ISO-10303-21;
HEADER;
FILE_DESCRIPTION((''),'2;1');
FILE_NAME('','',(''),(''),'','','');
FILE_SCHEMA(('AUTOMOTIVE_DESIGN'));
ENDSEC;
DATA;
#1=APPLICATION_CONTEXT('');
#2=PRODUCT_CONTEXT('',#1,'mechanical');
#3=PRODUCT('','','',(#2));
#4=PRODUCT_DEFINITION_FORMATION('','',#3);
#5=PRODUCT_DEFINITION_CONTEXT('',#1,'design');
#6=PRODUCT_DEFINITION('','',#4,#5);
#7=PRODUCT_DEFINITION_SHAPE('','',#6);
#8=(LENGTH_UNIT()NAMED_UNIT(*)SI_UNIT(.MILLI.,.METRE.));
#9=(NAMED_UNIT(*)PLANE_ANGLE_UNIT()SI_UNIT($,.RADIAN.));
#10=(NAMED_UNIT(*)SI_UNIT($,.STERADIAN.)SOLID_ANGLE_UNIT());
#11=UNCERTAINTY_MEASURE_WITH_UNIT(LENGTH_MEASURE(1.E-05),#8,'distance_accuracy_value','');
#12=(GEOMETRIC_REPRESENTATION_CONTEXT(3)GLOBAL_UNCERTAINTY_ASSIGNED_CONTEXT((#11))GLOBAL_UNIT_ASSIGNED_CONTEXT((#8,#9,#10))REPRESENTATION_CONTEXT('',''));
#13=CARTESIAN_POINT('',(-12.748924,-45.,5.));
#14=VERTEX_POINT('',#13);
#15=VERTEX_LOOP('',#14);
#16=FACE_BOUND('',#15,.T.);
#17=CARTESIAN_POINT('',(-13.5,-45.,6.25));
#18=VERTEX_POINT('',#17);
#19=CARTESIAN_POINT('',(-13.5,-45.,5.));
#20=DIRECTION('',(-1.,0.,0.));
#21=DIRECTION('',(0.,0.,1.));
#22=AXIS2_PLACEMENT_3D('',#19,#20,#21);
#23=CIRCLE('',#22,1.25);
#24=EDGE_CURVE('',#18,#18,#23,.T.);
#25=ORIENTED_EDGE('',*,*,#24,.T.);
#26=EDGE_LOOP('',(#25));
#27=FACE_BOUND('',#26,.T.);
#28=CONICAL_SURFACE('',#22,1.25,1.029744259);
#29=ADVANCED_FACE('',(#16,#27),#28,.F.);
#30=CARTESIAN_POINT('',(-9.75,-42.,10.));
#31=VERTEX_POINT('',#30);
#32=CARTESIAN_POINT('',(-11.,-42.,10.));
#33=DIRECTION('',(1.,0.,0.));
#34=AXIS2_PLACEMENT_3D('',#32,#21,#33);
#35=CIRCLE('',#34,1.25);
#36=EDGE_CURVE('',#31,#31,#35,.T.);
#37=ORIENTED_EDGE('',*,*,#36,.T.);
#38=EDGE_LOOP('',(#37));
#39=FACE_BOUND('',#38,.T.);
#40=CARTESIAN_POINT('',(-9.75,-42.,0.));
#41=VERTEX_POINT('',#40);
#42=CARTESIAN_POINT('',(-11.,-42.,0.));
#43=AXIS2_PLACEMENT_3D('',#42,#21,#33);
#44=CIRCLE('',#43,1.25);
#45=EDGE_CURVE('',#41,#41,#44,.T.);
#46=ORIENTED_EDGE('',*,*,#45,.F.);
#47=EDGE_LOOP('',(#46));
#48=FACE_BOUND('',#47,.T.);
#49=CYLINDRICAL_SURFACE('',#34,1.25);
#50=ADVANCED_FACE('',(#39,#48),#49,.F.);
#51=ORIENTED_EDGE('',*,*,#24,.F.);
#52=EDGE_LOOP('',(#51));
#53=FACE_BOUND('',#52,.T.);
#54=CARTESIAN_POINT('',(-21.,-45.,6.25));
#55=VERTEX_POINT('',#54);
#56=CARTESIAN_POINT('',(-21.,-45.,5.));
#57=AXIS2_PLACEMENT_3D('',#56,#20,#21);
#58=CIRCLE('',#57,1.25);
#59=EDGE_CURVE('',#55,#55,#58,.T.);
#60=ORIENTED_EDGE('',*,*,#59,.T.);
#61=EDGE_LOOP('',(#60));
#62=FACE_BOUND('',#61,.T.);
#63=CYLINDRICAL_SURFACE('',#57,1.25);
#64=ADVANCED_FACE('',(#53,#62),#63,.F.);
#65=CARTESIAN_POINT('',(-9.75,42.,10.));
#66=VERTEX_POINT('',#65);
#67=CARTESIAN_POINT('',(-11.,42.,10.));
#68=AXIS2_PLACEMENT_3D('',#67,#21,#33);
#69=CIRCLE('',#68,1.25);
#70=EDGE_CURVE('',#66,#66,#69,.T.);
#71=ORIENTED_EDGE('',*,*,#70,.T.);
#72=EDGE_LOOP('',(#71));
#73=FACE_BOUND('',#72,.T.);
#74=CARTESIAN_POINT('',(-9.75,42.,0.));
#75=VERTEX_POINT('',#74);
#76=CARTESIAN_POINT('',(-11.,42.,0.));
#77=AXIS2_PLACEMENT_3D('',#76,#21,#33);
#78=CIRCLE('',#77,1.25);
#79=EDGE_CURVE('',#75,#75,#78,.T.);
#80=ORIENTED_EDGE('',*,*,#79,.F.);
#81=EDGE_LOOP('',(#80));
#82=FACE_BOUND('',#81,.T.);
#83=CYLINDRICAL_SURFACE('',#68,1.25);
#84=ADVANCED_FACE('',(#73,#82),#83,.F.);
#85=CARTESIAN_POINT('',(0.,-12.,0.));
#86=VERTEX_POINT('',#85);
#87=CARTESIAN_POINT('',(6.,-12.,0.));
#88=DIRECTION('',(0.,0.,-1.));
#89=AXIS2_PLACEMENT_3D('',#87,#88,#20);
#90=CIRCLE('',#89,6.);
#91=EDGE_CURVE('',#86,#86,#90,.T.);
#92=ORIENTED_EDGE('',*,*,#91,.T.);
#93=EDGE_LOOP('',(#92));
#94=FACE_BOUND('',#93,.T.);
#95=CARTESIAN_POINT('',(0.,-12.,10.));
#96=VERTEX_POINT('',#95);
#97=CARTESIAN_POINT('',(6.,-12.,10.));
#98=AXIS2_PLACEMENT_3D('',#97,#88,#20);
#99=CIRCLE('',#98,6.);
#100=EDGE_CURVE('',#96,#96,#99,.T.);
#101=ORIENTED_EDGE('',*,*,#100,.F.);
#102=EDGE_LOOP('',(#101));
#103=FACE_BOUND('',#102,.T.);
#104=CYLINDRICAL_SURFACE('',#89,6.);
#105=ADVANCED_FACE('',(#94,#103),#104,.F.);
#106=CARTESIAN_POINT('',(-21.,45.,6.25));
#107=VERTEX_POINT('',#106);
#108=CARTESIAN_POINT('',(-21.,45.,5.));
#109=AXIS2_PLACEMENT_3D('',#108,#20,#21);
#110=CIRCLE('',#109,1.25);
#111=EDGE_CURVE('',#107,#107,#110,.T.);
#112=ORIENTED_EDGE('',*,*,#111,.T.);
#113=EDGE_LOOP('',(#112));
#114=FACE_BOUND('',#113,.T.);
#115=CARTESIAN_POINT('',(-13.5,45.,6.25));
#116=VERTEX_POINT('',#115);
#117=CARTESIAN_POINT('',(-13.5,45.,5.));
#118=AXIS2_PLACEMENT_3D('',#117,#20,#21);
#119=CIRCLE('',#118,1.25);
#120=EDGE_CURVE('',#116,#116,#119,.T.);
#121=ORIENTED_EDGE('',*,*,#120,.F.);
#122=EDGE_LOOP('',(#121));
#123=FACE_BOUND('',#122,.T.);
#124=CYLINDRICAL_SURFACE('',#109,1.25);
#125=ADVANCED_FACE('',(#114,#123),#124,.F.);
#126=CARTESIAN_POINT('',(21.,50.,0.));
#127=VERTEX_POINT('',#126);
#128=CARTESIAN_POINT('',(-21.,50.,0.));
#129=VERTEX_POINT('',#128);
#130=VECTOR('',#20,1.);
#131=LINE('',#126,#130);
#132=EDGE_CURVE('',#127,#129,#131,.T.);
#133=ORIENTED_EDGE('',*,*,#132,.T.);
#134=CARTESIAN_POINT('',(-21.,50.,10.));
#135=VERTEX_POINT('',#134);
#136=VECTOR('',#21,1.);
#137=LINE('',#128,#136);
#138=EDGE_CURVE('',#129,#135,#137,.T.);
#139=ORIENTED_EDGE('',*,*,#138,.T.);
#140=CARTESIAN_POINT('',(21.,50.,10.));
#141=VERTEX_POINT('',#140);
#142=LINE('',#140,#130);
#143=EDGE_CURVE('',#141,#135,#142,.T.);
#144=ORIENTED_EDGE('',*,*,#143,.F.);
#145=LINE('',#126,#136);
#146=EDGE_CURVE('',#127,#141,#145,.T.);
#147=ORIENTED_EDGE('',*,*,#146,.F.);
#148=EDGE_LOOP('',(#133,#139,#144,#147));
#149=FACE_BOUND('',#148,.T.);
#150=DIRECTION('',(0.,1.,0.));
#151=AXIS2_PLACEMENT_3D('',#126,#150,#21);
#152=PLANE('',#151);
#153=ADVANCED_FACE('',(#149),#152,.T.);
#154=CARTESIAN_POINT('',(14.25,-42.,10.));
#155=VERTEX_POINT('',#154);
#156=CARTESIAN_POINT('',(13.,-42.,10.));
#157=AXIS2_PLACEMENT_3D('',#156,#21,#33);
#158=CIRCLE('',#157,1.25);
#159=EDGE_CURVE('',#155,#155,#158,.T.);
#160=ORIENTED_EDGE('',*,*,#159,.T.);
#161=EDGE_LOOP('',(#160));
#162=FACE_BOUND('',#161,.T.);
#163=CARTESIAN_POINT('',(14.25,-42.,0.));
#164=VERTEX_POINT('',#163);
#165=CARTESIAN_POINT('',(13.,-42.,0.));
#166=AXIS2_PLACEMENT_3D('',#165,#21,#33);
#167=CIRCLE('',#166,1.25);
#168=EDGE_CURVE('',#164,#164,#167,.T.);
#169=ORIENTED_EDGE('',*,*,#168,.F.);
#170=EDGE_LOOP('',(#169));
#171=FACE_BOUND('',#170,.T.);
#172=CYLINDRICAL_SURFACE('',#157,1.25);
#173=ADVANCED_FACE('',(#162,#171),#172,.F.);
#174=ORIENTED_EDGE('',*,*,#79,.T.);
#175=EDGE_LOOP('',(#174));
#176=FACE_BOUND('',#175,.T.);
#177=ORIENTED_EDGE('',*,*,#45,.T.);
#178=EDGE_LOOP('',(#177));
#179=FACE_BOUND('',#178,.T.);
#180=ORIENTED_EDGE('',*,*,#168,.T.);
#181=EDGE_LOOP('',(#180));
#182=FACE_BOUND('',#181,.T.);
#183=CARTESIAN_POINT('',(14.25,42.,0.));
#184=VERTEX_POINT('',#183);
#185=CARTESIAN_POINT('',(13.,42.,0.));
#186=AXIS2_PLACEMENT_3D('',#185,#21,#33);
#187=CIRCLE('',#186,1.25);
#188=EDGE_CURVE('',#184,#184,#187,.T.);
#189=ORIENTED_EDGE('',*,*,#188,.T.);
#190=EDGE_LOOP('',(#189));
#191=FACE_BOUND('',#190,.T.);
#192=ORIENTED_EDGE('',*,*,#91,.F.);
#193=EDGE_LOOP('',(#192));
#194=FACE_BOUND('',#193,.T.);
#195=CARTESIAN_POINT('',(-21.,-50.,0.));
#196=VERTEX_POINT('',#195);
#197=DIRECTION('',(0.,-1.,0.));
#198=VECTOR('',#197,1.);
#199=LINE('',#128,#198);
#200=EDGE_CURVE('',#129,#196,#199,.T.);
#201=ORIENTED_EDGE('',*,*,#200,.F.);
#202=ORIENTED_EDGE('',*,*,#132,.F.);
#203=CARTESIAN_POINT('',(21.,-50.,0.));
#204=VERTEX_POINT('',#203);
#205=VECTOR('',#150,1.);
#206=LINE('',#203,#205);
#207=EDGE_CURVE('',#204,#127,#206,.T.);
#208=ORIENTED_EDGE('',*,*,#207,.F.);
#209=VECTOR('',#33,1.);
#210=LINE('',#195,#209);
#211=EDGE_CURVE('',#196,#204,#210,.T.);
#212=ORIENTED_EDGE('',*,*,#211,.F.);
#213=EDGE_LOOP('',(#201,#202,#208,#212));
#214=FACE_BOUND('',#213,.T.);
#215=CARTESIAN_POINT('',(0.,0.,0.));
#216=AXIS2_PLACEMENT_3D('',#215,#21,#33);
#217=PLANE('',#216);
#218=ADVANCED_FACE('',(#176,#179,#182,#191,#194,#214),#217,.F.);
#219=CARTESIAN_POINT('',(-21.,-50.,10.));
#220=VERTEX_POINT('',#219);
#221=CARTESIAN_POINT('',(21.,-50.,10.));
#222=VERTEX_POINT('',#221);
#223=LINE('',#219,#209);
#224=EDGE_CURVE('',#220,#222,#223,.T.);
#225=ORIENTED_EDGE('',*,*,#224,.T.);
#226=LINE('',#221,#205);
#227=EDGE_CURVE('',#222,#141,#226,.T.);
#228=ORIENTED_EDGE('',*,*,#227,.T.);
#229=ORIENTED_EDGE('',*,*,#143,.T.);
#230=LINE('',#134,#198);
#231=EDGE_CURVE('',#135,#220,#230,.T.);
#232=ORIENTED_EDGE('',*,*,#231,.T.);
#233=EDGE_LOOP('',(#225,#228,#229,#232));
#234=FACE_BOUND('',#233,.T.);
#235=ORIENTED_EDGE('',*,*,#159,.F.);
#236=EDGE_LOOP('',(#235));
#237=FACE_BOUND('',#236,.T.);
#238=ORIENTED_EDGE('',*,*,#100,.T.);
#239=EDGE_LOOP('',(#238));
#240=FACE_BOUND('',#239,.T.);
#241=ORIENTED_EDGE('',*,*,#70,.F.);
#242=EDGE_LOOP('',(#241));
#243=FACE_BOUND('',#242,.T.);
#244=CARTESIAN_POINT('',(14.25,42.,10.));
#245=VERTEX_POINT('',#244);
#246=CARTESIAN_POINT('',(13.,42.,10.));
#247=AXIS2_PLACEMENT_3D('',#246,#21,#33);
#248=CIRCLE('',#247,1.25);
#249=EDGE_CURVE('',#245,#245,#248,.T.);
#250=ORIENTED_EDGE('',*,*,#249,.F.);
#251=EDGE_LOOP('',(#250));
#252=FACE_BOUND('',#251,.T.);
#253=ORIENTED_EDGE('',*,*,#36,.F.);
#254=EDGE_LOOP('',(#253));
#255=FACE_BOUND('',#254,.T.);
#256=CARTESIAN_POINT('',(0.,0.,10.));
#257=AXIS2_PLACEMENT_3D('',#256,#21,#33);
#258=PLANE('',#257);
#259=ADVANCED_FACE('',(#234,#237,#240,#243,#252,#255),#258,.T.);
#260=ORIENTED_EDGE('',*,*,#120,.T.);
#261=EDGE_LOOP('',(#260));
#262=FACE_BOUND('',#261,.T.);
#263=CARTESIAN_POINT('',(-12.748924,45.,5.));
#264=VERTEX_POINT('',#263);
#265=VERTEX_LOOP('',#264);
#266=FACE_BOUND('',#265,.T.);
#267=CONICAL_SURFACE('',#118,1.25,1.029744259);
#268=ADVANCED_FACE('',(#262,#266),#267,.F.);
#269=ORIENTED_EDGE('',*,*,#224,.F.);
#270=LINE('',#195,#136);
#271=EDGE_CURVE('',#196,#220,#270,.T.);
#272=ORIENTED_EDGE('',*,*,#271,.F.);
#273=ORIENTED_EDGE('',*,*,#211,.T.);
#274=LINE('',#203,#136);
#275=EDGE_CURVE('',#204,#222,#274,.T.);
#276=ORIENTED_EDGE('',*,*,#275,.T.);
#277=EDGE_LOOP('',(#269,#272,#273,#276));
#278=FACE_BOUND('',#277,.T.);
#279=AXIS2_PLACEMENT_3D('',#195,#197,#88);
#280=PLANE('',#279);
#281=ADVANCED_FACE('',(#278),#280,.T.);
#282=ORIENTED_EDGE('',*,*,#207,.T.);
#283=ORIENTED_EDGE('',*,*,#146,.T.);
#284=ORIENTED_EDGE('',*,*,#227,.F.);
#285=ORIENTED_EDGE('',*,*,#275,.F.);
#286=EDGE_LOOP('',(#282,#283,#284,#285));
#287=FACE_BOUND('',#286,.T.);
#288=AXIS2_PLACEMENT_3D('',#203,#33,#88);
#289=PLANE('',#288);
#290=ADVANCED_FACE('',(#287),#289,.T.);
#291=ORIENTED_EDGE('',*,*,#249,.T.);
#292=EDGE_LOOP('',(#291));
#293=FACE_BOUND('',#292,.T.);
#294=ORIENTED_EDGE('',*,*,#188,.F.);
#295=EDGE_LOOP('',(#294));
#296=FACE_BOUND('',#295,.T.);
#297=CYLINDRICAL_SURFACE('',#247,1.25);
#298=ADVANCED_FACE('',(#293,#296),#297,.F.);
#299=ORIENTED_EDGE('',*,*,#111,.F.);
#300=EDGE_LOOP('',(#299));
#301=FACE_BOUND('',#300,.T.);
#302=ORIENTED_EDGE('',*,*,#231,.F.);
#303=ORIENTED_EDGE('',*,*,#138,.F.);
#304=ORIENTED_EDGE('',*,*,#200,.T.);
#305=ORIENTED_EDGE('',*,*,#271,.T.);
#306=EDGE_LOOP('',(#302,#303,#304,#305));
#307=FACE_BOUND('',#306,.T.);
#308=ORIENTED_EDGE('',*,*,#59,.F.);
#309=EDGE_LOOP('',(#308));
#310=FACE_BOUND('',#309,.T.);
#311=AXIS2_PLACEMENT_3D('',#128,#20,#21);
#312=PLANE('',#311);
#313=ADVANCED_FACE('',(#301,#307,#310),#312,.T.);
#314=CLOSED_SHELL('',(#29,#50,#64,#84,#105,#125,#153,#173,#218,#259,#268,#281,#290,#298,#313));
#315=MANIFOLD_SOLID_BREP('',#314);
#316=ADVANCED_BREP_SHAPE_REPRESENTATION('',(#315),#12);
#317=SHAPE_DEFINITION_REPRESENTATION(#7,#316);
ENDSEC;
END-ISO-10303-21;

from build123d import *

# Parameters (mm, degrees)
SKETCH1_W                      = 42
SKETCH1_H                      = 100
BOSS_EXTRUDE1_DEPTH            = 10
F_12_0_12_DIAMETER_HOLE1_D     = 12
F_2_5_2_5_DIAMETER_HOLE1_D     = 2.5
F_2_5_2_5_DIAMETER_HOLE2_D     = 2.5
F_2_5_2_5_DIAMETER_HOLE2_DEPTH = 7.5
F_2_5_2_5_DIAMETER_HOLE2_TIP   = 0.751075774


with BuildPart() as part:
    # Sketch1 → Boss-Extrude1 (new body)
    with BuildSketch(Plane.XY.offset(10)):
        Rectangle(SKETCH1_W, SKETCH1_H)
    extrude(amount=-BOSS_EXTRUDE1_DEPTH)

    # Ø12.0 (12) Diameter Hole1 (through all)
    with Locations(Plane(origin=(0, 0, 0), x_dir=(-1, 0, 0), z_dir=(0, 0, -1))):
        with Locations((-6, -12)):
            Hole(F_12_0_12_DIAMETER_HOLE1_D / 2)

    # Ø2.5 (2.5) Diameter Hole1 (through all)
    with Locations(Plane.XY.offset(10)):
        with Locations((13, 42), (-11, 42), (-11, -42), (13, -42)):
            Hole(F_2_5_2_5_DIAMETER_HOLE1_D / 2)

    # Ø2.5 (2.5) Diameter Hole2
    with Locations(Plane.ZY.offset(21)):
        with Locations((5, 45), (5, -45)):
            Hole(F_2_5_2_5_DIAMETER_HOLE2_D / 2, depth=F_2_5_2_5_DIAMETER_HOLE2_DEPTH)
            with Locations((0, 0, -(F_2_5_2_5_DIAMETER_HOLE2_DEPTH + F_2_5_2_5_DIAMETER_HOLE2_TIP / 2))):  # 118° drill point
                Cone(0, F_2_5_2_5_DIAMETER_HOLE2_D / 2, F_2_5_2_5_DIAMETER_HOLE2_TIP, mode=Mode.SUBTRACT)


solid = part.part
